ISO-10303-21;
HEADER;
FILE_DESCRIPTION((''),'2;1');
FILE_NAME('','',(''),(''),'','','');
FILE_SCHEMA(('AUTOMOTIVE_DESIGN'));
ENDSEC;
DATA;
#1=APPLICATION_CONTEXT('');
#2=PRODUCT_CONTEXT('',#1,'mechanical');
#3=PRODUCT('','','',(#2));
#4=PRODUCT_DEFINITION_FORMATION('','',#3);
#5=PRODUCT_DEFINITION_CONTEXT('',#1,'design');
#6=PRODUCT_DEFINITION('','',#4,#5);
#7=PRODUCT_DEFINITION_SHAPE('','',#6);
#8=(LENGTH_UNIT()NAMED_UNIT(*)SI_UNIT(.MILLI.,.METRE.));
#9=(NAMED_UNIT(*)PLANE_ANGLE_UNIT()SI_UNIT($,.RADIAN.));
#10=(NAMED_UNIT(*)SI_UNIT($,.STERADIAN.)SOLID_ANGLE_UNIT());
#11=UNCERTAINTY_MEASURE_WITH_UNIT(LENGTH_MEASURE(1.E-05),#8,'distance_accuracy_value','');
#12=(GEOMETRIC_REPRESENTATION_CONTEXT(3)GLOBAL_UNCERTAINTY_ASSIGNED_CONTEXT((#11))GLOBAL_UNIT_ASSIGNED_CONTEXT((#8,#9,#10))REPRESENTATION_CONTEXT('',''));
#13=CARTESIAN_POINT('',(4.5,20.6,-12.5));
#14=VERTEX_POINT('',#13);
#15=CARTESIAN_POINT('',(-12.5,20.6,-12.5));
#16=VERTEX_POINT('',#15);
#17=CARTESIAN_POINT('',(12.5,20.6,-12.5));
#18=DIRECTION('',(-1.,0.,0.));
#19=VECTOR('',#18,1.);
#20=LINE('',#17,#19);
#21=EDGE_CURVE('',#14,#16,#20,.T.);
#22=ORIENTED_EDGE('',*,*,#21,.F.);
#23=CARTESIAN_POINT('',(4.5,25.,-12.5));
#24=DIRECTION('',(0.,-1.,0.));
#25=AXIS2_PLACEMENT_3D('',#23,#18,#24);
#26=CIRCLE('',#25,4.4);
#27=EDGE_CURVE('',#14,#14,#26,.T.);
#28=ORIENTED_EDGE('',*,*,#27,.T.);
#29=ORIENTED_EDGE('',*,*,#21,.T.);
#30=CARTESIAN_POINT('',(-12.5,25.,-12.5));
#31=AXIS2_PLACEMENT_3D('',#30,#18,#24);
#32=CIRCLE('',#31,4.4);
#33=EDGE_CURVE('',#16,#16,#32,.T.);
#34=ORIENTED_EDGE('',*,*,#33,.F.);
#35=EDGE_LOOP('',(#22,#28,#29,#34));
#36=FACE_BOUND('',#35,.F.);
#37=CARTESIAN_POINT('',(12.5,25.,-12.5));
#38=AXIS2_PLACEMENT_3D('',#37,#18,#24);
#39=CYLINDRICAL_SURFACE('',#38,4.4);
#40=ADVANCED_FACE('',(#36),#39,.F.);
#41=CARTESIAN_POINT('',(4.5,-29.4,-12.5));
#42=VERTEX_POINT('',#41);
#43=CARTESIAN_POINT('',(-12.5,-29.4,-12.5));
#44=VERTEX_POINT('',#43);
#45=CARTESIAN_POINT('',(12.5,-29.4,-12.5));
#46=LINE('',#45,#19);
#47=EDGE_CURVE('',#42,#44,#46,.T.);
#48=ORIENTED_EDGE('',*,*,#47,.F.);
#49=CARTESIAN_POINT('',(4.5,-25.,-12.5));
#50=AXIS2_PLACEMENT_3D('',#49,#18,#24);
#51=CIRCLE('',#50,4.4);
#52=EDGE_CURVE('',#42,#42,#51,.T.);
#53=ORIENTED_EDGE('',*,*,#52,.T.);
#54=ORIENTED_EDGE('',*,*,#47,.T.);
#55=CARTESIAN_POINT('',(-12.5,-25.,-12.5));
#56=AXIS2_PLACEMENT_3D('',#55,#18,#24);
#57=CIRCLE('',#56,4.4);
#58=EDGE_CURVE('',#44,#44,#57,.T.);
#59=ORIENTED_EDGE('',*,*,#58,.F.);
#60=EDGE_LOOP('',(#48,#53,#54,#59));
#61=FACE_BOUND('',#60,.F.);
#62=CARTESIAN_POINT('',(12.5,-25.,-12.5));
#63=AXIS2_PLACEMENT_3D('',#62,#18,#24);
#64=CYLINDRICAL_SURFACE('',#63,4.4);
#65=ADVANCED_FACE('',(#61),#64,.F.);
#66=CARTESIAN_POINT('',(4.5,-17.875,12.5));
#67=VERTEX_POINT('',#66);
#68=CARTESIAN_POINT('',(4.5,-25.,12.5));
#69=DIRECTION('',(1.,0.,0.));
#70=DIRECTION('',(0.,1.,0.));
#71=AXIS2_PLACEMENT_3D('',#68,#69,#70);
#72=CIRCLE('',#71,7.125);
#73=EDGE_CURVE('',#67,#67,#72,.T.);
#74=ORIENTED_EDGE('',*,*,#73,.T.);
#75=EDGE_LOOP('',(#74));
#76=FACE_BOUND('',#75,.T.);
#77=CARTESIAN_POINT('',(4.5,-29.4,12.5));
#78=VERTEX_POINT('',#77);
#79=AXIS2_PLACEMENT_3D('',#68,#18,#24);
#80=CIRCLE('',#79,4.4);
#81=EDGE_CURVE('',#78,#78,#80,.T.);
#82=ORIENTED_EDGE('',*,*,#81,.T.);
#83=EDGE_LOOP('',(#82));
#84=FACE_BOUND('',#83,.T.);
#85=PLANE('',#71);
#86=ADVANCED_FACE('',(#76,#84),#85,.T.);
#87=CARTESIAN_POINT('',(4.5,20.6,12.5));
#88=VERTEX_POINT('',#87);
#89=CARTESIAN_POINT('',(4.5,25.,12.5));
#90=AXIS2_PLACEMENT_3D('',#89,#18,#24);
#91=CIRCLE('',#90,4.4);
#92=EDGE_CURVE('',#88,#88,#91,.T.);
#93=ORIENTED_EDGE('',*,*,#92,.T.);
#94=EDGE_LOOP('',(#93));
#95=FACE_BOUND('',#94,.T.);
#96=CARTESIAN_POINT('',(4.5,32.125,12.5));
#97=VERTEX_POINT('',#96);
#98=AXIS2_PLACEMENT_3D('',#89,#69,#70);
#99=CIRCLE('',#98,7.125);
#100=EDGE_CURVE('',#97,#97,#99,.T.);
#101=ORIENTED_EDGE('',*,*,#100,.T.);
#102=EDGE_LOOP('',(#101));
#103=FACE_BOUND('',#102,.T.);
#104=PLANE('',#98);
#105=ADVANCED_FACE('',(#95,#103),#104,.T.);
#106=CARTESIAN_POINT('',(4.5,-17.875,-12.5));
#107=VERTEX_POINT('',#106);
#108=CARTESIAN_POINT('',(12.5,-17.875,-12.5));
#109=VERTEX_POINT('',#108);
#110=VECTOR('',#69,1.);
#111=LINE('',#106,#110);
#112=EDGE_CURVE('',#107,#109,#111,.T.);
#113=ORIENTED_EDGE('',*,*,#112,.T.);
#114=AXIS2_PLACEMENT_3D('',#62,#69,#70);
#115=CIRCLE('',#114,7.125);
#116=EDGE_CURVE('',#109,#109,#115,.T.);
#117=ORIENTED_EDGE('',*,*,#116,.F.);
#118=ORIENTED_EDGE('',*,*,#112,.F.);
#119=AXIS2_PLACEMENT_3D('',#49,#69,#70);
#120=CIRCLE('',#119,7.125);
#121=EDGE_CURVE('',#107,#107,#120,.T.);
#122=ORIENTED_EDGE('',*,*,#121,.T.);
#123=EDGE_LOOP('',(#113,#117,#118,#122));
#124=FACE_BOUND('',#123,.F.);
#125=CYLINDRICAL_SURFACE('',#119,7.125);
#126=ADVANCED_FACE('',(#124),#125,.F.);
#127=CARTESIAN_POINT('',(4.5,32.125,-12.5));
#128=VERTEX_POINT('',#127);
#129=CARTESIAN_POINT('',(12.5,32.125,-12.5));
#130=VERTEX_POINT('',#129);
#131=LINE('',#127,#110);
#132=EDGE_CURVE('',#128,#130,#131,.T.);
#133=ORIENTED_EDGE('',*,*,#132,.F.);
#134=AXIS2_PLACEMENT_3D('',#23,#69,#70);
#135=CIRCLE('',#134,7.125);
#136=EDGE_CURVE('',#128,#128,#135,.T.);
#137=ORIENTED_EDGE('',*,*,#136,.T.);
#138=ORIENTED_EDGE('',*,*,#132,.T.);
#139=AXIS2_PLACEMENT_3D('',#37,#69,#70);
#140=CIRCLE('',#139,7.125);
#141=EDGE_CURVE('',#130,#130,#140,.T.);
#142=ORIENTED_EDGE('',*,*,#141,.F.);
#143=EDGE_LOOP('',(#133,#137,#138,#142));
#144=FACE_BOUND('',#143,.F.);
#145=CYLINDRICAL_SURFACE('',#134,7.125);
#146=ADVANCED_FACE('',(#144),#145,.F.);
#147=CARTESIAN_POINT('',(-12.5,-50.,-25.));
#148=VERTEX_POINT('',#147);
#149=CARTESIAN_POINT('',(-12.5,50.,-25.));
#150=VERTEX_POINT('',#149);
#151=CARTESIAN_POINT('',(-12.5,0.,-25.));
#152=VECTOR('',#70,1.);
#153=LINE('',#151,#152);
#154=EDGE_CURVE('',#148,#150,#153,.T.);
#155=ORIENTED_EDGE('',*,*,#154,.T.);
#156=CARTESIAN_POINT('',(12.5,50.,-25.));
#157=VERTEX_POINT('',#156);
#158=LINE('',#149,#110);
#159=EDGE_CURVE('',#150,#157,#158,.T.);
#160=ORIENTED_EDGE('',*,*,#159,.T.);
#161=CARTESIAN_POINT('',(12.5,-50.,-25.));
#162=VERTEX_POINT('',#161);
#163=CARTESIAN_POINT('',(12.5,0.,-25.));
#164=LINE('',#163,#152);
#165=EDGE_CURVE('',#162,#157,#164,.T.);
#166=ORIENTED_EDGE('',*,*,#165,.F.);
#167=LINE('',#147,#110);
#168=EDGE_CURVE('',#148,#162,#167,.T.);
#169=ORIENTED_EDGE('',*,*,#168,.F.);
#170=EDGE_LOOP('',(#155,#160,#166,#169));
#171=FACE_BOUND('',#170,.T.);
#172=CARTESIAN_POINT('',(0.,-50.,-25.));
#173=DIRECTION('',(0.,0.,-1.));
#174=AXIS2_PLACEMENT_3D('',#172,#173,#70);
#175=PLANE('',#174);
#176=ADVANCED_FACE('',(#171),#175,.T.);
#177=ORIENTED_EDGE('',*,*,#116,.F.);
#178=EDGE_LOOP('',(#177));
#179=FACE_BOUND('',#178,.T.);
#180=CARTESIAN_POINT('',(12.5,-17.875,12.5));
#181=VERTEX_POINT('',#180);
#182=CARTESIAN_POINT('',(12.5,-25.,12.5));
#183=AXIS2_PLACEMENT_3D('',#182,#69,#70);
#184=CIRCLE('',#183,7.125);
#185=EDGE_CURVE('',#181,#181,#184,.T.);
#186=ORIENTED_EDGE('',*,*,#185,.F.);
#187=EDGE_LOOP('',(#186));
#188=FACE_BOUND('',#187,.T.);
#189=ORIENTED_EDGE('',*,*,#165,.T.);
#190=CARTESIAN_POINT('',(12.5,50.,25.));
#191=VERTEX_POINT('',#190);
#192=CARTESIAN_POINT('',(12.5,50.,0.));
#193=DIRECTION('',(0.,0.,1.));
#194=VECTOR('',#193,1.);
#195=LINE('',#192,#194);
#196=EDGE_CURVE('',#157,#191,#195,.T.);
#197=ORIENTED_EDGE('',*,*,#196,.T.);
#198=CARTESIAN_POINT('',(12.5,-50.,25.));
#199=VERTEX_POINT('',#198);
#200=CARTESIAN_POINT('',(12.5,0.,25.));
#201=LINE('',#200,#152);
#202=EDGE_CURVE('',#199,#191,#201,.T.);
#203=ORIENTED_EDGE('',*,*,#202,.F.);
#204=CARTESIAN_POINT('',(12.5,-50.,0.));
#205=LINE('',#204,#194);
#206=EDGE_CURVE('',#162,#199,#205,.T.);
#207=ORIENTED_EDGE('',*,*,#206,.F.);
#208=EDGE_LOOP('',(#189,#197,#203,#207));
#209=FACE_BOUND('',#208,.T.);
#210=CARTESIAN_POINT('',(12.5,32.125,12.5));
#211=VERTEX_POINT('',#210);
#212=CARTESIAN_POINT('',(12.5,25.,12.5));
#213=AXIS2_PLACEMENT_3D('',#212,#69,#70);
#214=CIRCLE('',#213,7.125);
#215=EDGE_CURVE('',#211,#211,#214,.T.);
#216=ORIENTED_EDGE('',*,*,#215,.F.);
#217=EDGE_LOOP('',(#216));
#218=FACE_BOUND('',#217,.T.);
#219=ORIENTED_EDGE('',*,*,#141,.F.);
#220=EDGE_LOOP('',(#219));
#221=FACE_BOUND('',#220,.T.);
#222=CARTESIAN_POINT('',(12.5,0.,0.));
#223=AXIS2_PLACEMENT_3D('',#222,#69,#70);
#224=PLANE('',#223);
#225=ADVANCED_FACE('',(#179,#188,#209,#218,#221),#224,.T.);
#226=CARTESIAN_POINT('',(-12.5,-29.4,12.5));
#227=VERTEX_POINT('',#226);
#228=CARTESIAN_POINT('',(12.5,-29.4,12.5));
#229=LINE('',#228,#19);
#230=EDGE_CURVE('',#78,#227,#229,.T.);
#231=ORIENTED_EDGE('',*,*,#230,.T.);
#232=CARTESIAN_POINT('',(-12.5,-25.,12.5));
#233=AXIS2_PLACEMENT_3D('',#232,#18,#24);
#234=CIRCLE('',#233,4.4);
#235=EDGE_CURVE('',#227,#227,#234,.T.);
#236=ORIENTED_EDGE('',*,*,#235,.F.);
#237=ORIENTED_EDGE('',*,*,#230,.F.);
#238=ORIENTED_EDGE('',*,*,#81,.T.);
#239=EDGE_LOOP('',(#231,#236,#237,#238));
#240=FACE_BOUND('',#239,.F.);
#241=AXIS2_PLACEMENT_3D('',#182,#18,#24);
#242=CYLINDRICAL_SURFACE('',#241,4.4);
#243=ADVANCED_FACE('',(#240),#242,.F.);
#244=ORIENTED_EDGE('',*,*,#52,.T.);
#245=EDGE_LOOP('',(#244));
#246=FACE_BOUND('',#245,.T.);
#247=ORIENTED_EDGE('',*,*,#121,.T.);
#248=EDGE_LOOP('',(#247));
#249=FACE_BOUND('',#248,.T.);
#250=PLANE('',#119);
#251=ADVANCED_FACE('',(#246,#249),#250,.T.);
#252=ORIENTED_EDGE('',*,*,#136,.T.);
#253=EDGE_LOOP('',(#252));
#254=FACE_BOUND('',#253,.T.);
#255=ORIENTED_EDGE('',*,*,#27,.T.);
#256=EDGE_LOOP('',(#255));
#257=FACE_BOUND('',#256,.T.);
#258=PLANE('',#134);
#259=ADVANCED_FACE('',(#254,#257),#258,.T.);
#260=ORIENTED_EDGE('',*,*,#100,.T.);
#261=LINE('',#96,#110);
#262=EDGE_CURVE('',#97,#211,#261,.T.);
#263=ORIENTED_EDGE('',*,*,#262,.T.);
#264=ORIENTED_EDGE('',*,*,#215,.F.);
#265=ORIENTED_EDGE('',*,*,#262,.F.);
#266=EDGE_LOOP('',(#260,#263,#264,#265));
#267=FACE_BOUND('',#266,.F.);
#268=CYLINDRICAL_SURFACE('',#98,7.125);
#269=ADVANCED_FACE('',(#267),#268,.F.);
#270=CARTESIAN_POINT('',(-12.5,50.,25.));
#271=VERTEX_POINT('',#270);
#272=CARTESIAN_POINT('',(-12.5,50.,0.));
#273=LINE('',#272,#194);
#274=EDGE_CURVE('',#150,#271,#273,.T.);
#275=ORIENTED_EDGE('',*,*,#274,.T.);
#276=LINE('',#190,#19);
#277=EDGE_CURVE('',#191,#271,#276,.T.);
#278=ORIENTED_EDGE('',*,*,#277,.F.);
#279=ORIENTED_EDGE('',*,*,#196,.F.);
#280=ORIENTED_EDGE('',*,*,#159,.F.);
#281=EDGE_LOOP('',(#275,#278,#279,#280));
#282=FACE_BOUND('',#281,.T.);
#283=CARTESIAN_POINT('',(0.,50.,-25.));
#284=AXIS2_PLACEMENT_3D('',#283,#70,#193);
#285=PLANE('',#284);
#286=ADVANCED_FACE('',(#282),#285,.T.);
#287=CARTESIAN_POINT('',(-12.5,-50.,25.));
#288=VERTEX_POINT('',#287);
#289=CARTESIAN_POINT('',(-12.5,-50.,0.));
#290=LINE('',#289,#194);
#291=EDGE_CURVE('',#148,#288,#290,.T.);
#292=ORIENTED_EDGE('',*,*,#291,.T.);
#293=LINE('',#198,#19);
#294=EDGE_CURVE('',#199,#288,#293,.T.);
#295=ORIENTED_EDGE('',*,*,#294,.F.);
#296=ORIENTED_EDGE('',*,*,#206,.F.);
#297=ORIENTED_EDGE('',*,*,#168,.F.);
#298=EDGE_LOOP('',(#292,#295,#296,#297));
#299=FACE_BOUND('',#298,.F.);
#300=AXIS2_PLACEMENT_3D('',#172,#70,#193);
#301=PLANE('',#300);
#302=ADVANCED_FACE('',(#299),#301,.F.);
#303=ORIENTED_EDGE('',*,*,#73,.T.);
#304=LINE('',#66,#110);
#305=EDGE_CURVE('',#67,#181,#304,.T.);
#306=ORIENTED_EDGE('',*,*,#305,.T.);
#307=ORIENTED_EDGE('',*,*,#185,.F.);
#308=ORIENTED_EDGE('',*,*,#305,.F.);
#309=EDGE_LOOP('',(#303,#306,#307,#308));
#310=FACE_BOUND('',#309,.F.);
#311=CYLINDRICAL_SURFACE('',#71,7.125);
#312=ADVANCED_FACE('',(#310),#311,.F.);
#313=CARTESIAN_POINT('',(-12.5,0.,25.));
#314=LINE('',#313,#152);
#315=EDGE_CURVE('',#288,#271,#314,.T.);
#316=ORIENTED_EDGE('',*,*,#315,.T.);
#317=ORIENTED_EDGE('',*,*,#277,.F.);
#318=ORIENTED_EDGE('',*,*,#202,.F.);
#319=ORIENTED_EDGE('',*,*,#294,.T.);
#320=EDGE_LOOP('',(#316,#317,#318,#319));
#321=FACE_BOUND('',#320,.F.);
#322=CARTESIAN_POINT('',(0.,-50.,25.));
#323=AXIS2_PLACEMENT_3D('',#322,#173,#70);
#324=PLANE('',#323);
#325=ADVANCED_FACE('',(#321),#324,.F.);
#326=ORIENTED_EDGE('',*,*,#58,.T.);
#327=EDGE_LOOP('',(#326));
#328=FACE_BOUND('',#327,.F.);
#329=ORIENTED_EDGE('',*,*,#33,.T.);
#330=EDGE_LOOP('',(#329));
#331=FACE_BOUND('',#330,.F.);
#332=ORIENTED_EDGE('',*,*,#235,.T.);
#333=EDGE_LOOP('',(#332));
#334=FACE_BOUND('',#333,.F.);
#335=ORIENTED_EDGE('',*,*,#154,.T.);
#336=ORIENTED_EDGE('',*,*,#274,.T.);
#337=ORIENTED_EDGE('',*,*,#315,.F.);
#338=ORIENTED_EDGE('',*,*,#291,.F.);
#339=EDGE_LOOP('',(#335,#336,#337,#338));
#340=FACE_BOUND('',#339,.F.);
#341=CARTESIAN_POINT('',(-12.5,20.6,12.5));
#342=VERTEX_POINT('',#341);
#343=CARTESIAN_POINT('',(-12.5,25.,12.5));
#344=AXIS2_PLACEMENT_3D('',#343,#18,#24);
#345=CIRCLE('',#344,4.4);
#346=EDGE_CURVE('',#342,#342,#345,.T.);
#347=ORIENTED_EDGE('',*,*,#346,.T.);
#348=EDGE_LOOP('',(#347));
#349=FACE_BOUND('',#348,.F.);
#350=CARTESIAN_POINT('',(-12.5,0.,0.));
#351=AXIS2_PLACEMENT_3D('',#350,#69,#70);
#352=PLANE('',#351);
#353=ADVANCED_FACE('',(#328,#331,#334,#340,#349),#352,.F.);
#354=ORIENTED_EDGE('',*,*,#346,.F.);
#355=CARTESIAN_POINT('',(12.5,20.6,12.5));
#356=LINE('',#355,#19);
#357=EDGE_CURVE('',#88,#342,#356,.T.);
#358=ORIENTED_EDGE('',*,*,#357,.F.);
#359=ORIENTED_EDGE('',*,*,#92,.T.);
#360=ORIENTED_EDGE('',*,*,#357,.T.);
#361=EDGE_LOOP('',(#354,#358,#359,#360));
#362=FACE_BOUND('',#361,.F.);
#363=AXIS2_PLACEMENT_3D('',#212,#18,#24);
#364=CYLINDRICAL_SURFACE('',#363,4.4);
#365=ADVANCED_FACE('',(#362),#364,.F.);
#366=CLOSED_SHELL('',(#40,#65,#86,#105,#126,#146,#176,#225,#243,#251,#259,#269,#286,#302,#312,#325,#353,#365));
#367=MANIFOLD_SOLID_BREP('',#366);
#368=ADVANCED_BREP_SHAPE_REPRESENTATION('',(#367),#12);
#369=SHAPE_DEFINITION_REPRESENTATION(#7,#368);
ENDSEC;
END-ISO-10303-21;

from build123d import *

# Parameters (mm, degrees)
F0_W           = 100
F0_H           = 50
F1_DEPTH       = 12.5
F3_D           = 8.8
F3_CBORE_D     = 14.25
F3_CBORE_DEPTH = 8


with BuildPart() as f1:
    # F0 (on Right) → F1 (new body, symmetric)
    with BuildSketch(Plane.YZ):
        Rectangle(F0_W, F0_H)
    extrude(amount=F1_DEPTH, both=True)

    # F3 (through all)
    with Locations(Plane.YZ.offset(12.5)):
        with Locations((-25, 12.5), (-25, -12.5), (25, -12.5), (25, 12.5)):
            CounterBoreHole(F3_D / 2, F3_CBORE_D / 2, F3_CBORE_DEPTH)


solid = f1.part
